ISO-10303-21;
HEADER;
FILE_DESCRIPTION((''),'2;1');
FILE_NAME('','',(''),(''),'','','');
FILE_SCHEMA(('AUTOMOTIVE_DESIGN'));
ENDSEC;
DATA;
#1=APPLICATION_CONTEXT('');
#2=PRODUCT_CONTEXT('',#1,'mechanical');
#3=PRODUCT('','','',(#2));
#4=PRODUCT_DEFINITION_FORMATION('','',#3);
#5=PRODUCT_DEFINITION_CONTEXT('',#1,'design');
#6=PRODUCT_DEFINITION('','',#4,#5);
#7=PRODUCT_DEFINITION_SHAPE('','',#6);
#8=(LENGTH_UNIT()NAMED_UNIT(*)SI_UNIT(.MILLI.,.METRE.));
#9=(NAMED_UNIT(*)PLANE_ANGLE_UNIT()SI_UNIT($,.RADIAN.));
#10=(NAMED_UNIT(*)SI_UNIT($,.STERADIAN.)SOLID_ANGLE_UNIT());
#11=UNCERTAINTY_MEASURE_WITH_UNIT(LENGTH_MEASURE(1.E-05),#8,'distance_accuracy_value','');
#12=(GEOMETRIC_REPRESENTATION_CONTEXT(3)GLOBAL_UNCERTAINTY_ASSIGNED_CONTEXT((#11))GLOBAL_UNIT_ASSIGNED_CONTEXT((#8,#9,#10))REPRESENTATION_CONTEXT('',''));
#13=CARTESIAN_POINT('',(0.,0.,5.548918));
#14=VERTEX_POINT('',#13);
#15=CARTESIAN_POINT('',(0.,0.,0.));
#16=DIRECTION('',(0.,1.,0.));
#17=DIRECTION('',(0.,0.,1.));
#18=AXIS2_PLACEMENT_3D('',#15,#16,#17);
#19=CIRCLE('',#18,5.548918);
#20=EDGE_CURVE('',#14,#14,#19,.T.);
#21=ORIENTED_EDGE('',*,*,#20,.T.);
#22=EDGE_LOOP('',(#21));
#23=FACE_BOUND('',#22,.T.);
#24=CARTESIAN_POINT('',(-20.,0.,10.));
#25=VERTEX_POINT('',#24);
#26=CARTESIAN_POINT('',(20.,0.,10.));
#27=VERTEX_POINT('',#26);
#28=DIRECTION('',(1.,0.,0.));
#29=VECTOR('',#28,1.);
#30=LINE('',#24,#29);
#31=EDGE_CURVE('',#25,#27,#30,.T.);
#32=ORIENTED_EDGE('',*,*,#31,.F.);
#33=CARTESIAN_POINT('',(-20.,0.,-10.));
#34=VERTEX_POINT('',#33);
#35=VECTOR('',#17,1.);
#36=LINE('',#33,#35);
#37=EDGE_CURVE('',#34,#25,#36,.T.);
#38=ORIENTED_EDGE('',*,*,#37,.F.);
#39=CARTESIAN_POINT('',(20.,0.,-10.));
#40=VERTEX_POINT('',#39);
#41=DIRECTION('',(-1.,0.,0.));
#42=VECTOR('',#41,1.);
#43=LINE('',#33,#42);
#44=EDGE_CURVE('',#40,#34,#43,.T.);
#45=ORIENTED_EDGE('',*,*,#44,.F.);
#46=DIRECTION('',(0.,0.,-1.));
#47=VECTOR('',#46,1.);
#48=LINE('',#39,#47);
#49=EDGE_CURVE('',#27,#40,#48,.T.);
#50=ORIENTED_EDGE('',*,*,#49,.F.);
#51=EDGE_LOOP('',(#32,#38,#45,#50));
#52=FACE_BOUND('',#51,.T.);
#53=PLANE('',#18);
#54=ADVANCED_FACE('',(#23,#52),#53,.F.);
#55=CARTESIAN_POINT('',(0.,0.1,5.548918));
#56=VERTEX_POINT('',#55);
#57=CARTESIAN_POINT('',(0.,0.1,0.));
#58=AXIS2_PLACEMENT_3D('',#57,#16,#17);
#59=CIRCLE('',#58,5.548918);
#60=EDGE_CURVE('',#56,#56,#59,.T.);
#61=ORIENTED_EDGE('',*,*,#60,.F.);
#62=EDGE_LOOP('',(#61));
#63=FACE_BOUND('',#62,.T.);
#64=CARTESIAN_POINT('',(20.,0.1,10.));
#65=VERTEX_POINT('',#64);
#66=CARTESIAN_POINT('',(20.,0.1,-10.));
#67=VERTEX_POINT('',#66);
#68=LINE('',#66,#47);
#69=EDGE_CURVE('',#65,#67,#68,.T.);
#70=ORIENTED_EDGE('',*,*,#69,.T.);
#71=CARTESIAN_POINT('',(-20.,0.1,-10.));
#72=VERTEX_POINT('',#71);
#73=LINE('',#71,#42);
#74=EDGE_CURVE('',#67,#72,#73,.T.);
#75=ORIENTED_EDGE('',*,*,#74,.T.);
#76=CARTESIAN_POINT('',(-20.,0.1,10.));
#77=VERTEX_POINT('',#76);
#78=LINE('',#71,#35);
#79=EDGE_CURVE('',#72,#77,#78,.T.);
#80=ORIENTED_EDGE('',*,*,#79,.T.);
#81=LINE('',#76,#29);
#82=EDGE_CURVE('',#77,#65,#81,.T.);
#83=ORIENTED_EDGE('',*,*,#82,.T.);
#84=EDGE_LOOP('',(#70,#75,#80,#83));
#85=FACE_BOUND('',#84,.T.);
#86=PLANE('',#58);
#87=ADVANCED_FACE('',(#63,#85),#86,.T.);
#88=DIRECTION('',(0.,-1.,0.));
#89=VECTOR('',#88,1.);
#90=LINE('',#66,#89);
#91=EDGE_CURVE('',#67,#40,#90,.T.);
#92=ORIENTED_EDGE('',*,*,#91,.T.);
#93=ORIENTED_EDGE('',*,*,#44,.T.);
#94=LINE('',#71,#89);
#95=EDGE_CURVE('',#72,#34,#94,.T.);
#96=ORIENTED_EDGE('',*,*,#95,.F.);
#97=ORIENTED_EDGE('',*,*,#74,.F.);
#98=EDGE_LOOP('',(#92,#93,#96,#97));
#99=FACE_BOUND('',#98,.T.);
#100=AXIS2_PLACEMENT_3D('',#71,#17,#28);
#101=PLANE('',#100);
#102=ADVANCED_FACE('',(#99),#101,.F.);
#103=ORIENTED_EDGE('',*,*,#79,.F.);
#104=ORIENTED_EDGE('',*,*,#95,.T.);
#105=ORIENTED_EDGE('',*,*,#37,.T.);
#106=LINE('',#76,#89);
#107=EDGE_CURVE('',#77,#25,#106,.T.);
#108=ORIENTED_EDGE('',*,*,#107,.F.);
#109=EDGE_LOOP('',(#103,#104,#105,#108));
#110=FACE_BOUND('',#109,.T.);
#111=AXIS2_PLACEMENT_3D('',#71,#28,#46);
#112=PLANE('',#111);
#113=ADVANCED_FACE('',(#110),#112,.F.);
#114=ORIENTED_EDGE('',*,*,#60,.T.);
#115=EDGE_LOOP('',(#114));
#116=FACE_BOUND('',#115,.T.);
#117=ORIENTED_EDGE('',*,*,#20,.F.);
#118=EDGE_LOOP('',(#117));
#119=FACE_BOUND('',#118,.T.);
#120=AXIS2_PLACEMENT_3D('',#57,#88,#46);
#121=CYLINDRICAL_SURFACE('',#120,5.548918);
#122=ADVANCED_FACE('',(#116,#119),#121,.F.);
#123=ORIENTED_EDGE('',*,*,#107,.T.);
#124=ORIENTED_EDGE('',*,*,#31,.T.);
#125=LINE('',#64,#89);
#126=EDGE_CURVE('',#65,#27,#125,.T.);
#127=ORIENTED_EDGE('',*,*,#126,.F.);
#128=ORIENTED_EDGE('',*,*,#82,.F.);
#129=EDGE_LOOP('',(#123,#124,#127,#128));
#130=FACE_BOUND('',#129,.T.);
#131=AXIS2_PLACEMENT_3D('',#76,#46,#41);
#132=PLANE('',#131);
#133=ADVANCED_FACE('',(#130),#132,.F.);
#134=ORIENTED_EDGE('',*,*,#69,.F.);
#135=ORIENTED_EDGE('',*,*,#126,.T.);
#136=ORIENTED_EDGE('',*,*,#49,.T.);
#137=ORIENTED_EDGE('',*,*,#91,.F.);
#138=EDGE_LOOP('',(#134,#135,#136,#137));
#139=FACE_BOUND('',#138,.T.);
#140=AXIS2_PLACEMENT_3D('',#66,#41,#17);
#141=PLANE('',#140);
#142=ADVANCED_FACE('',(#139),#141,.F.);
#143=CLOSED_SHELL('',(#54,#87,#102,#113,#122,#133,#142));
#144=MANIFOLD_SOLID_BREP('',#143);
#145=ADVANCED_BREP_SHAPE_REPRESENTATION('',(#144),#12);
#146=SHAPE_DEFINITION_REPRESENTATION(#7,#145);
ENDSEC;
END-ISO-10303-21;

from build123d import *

# Parameters (mm, degrees)
SKETCH1_W           = 40
SKETCH1_H           = 20
SKETCH1_R           = 5.54891831
BOSS_EXTRUDE1_DEPTH = 0.1


with BuildPart() as part:
    # Sketch1 → Boss-Extrude1 (new body)
    with BuildSketch(Plane(origin=(0, 0, 0), x_dir=(1, 0, 0), z_dir=(0, 1, 0))):
        Rectangle(SKETCH1_W, SKETCH1_H)
        with Locations(Location((0, 0, 0), (0, 0, 270))):
            Circle(SKETCH1_R, mode=Mode.SUBTRACT)
    extrude(amount=BOSS_EXTRUDE1_DEPTH)


solid = part.part
